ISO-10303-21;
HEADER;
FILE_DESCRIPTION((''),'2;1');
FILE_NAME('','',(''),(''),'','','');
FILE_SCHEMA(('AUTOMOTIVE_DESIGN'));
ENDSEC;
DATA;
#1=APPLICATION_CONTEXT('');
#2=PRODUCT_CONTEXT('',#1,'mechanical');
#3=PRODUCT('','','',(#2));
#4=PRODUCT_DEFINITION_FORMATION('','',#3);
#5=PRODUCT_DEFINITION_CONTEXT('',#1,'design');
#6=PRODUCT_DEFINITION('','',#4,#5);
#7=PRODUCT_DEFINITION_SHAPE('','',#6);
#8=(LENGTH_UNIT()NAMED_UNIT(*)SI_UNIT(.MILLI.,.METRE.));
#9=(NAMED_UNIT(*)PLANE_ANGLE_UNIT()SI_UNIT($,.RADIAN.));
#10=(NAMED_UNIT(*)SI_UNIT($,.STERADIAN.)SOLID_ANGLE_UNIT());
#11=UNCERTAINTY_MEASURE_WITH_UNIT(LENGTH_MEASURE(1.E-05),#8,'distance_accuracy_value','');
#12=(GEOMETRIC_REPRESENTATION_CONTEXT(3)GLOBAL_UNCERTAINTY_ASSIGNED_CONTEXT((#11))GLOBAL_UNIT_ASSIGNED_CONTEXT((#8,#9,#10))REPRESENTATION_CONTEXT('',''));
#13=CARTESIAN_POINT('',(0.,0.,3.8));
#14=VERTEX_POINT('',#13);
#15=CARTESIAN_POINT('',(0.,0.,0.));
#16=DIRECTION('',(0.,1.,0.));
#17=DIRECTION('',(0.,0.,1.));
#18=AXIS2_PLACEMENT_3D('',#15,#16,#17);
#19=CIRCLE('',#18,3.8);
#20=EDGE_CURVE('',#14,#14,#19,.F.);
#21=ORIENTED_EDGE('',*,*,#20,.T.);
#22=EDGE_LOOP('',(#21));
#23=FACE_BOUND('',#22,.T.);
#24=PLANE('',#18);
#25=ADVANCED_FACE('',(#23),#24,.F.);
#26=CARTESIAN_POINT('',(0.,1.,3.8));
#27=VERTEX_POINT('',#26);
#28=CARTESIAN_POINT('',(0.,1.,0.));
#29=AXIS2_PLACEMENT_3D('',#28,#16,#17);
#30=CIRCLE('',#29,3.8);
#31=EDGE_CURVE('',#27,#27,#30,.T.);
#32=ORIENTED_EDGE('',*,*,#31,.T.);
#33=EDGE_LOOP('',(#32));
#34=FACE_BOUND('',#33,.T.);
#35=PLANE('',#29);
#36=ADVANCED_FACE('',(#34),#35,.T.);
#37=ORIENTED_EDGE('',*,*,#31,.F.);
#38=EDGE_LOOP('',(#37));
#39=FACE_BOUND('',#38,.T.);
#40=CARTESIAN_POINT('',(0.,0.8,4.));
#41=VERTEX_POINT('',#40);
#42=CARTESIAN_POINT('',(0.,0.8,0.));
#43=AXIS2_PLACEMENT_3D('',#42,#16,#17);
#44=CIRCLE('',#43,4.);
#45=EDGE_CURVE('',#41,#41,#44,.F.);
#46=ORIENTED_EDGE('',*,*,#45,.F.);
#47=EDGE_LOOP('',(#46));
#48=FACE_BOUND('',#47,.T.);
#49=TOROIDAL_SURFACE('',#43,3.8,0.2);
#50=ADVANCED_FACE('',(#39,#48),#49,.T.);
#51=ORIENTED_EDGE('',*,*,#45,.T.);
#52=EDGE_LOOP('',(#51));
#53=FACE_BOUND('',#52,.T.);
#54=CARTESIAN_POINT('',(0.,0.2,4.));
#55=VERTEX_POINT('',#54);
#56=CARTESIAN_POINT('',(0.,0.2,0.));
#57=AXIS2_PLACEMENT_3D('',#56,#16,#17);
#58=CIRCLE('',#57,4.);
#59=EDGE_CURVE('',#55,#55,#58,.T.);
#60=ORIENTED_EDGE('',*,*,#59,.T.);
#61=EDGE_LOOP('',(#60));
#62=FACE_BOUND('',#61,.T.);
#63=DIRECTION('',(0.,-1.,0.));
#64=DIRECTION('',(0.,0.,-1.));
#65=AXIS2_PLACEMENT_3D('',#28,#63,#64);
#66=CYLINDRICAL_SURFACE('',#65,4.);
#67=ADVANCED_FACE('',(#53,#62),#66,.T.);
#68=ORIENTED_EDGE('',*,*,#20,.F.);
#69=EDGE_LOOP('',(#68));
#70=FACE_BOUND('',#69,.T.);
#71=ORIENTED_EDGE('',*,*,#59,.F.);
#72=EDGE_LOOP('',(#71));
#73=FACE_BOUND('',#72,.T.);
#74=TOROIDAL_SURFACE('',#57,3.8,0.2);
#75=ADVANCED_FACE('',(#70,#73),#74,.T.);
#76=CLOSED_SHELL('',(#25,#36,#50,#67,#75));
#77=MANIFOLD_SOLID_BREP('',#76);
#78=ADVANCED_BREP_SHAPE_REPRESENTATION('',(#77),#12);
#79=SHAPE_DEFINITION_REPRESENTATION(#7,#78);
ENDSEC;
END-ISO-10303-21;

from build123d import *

# Parameters (mm, degrees)
SKETCH_1_R      = 4
EXTRUDE_1_DEPTH = 1
FILLET_1_R      = 0.2


with BuildPart() as part:
    # Эскиз1 → Бобышка-Вытянуть1 (new body)
    with BuildSketch(Plane(origin=(0, 0, 0), x_dir=(1, 0, 0), z_dir=(0, 1, 0))):
        with Locations(Location((0, 0, 0), (0, 0, 270))):
            Circle(SKETCH_1_R)
    extrude(amount=EXTRUDE_1_DEPTH)

    # Скругление1
    fillet_1_edges = [part.edges().sort_by_distance(p)[0] for p in [
        (0, 0, -4),
        (0, 1, -4),
    ]]
    fillet(fillet_1_edges, radius=FILLET_1_R)


solid = part.part
